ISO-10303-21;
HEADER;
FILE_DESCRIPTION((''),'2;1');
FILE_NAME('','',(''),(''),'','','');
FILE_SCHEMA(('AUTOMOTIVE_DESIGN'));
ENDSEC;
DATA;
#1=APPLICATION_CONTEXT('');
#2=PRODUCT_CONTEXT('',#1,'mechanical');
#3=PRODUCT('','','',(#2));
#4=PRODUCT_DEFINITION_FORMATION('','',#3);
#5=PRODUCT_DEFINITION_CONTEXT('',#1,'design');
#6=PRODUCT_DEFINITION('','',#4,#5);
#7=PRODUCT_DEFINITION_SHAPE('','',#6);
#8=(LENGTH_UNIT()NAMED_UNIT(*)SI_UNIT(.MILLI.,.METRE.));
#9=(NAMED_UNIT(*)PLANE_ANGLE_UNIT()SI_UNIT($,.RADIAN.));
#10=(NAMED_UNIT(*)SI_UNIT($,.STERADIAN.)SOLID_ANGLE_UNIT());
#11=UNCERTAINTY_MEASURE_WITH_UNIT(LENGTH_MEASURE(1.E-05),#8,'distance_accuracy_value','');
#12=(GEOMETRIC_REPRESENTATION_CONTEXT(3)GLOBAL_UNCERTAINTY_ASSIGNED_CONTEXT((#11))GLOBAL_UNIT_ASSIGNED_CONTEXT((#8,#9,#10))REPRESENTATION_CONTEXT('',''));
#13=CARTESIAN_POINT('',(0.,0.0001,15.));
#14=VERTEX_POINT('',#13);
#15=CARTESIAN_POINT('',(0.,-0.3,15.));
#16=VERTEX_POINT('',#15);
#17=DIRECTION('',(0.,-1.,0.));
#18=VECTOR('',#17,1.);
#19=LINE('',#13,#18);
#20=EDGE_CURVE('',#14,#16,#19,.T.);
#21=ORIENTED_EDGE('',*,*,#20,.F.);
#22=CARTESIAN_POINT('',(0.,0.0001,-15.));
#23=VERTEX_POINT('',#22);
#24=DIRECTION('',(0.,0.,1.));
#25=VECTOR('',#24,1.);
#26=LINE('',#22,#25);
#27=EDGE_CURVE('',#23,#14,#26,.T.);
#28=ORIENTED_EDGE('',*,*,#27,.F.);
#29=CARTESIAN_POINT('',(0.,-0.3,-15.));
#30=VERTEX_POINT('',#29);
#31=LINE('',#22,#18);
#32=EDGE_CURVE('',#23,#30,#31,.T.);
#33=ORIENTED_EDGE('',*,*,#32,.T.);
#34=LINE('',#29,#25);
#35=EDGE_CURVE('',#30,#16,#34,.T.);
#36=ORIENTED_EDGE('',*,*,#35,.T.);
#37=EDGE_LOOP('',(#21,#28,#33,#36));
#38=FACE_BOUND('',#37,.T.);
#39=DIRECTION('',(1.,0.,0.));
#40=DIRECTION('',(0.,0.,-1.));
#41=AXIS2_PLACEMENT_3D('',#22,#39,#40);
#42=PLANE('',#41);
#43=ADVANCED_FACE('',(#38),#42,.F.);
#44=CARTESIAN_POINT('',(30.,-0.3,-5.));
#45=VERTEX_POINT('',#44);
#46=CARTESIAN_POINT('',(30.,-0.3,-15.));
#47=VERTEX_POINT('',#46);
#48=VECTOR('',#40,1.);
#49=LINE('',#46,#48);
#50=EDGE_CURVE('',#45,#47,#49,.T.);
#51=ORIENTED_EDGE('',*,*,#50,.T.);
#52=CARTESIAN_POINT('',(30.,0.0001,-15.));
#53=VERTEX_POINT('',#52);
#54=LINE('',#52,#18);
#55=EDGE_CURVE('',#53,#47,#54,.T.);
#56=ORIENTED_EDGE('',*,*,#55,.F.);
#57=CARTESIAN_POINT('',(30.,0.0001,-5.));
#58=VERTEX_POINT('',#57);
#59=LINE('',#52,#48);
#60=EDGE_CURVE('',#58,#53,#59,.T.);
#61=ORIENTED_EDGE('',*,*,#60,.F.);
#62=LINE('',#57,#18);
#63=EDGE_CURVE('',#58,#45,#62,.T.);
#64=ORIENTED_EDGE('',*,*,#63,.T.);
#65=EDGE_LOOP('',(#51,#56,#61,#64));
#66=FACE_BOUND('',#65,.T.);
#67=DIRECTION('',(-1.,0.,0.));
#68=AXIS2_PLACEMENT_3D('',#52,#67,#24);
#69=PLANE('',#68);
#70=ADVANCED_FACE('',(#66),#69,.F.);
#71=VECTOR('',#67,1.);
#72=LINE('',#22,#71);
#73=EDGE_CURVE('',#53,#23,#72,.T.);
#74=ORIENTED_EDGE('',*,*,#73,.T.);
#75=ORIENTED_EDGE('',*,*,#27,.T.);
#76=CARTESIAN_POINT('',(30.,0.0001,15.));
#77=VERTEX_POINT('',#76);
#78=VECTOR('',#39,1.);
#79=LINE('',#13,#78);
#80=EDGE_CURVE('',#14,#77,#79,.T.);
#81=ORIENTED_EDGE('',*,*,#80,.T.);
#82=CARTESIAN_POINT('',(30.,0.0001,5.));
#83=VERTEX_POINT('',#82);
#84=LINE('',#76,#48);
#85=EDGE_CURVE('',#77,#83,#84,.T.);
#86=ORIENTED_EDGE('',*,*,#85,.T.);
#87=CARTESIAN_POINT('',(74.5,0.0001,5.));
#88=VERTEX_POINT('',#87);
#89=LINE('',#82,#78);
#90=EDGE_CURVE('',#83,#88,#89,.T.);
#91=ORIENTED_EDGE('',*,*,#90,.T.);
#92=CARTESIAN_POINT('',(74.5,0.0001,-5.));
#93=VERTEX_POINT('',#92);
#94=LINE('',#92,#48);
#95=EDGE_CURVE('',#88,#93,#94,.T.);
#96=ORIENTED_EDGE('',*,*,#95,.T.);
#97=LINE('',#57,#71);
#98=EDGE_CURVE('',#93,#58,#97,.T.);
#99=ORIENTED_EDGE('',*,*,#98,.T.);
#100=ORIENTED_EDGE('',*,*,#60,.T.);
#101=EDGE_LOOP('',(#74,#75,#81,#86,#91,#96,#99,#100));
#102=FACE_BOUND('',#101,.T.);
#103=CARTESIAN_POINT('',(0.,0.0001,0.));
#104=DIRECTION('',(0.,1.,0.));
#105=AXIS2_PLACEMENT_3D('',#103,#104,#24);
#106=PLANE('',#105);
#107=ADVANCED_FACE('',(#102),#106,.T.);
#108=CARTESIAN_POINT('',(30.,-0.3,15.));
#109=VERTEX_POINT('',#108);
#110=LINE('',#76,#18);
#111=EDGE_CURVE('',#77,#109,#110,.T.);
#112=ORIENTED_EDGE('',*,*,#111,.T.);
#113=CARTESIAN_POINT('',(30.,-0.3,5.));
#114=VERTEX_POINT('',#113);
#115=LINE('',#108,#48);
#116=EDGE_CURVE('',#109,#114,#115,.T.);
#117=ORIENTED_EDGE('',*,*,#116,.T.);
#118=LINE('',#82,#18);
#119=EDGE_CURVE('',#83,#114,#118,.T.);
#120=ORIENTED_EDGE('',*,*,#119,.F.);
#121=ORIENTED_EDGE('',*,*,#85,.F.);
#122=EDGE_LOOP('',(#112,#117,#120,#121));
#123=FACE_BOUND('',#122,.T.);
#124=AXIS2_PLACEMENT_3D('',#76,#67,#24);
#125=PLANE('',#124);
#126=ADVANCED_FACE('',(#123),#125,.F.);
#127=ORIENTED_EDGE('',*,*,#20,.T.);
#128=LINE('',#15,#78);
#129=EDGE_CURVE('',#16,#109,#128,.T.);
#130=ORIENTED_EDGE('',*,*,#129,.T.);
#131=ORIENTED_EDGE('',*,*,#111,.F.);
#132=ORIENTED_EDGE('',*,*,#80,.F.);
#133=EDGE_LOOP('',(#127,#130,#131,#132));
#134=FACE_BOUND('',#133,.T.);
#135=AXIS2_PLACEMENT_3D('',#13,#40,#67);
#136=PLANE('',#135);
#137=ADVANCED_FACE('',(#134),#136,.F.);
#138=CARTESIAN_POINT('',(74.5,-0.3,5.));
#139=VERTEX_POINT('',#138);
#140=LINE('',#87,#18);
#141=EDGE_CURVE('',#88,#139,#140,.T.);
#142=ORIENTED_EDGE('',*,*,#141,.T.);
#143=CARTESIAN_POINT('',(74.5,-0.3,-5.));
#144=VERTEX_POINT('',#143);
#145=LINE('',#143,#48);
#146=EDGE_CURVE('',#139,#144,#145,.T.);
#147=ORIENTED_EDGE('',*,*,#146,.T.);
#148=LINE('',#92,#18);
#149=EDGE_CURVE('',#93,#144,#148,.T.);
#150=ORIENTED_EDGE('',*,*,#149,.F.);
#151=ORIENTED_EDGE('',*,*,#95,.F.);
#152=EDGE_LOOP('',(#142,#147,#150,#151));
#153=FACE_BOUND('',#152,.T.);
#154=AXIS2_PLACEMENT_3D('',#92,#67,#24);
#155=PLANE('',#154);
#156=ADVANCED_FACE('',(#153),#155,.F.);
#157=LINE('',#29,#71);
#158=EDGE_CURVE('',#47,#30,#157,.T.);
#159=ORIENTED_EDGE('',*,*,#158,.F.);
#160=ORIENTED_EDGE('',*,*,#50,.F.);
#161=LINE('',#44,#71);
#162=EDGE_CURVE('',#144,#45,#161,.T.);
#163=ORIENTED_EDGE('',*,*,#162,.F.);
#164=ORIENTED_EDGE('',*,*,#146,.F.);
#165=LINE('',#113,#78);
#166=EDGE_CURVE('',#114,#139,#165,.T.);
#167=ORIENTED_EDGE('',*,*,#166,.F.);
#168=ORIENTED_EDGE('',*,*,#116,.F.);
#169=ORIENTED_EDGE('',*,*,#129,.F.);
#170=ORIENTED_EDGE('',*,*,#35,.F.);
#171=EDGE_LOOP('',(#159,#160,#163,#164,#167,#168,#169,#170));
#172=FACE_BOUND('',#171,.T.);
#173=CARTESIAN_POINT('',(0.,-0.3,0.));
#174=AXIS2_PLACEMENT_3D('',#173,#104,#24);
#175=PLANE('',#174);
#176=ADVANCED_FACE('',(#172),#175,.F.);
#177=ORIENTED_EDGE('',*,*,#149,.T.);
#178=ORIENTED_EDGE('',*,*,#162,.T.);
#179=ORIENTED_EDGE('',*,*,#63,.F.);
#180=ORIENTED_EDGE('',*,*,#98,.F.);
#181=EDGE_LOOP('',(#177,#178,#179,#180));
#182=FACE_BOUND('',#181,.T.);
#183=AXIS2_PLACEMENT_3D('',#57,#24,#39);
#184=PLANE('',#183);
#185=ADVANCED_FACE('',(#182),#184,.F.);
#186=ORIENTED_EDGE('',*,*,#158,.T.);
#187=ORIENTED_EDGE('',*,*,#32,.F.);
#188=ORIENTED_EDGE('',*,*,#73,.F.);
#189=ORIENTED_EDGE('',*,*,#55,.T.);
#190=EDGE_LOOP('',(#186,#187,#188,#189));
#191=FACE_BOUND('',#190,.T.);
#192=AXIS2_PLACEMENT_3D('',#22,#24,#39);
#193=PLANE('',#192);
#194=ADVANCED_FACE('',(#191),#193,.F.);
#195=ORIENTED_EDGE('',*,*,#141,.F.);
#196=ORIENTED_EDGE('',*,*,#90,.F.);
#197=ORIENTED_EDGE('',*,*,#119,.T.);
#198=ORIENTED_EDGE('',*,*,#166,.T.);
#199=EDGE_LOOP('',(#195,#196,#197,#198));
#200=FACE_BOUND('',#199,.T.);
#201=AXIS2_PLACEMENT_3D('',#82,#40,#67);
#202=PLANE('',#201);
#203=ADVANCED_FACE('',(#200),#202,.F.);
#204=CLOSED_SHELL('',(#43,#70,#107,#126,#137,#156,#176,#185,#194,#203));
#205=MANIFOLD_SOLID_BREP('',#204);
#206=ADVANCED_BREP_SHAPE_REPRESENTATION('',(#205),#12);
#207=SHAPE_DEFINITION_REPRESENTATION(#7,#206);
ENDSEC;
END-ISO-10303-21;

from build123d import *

# Parameters (mm, degrees)
BOSS_EXTRUDE1_DEPTH      = 0.0001
BOSS_EXTRUDE1_DEPTH_BACK = 0.3


with BuildPart() as part:
    # Sketch1 → Boss-Extrude1 (new, two sides: drawn at the far end of the back side and taken through both)
    with BuildSketch(Plane(origin=(0, 0, 0), x_dir=(1, 0, 0), z_dir=(0, 1, 0)).offset(-BOSS_EXTRUDE1_DEPTH_BACK)):
        Polygon((0, -15), (30, -15), (30, -5), (74.5, -5), (74.5, 5), (30, 5), (30, 15), (0, 15), align=None)
    extrude(amount=BOSS_EXTRUDE1_DEPTH + BOSS_EXTRUDE1_DEPTH_BACK)


solid = part.part
